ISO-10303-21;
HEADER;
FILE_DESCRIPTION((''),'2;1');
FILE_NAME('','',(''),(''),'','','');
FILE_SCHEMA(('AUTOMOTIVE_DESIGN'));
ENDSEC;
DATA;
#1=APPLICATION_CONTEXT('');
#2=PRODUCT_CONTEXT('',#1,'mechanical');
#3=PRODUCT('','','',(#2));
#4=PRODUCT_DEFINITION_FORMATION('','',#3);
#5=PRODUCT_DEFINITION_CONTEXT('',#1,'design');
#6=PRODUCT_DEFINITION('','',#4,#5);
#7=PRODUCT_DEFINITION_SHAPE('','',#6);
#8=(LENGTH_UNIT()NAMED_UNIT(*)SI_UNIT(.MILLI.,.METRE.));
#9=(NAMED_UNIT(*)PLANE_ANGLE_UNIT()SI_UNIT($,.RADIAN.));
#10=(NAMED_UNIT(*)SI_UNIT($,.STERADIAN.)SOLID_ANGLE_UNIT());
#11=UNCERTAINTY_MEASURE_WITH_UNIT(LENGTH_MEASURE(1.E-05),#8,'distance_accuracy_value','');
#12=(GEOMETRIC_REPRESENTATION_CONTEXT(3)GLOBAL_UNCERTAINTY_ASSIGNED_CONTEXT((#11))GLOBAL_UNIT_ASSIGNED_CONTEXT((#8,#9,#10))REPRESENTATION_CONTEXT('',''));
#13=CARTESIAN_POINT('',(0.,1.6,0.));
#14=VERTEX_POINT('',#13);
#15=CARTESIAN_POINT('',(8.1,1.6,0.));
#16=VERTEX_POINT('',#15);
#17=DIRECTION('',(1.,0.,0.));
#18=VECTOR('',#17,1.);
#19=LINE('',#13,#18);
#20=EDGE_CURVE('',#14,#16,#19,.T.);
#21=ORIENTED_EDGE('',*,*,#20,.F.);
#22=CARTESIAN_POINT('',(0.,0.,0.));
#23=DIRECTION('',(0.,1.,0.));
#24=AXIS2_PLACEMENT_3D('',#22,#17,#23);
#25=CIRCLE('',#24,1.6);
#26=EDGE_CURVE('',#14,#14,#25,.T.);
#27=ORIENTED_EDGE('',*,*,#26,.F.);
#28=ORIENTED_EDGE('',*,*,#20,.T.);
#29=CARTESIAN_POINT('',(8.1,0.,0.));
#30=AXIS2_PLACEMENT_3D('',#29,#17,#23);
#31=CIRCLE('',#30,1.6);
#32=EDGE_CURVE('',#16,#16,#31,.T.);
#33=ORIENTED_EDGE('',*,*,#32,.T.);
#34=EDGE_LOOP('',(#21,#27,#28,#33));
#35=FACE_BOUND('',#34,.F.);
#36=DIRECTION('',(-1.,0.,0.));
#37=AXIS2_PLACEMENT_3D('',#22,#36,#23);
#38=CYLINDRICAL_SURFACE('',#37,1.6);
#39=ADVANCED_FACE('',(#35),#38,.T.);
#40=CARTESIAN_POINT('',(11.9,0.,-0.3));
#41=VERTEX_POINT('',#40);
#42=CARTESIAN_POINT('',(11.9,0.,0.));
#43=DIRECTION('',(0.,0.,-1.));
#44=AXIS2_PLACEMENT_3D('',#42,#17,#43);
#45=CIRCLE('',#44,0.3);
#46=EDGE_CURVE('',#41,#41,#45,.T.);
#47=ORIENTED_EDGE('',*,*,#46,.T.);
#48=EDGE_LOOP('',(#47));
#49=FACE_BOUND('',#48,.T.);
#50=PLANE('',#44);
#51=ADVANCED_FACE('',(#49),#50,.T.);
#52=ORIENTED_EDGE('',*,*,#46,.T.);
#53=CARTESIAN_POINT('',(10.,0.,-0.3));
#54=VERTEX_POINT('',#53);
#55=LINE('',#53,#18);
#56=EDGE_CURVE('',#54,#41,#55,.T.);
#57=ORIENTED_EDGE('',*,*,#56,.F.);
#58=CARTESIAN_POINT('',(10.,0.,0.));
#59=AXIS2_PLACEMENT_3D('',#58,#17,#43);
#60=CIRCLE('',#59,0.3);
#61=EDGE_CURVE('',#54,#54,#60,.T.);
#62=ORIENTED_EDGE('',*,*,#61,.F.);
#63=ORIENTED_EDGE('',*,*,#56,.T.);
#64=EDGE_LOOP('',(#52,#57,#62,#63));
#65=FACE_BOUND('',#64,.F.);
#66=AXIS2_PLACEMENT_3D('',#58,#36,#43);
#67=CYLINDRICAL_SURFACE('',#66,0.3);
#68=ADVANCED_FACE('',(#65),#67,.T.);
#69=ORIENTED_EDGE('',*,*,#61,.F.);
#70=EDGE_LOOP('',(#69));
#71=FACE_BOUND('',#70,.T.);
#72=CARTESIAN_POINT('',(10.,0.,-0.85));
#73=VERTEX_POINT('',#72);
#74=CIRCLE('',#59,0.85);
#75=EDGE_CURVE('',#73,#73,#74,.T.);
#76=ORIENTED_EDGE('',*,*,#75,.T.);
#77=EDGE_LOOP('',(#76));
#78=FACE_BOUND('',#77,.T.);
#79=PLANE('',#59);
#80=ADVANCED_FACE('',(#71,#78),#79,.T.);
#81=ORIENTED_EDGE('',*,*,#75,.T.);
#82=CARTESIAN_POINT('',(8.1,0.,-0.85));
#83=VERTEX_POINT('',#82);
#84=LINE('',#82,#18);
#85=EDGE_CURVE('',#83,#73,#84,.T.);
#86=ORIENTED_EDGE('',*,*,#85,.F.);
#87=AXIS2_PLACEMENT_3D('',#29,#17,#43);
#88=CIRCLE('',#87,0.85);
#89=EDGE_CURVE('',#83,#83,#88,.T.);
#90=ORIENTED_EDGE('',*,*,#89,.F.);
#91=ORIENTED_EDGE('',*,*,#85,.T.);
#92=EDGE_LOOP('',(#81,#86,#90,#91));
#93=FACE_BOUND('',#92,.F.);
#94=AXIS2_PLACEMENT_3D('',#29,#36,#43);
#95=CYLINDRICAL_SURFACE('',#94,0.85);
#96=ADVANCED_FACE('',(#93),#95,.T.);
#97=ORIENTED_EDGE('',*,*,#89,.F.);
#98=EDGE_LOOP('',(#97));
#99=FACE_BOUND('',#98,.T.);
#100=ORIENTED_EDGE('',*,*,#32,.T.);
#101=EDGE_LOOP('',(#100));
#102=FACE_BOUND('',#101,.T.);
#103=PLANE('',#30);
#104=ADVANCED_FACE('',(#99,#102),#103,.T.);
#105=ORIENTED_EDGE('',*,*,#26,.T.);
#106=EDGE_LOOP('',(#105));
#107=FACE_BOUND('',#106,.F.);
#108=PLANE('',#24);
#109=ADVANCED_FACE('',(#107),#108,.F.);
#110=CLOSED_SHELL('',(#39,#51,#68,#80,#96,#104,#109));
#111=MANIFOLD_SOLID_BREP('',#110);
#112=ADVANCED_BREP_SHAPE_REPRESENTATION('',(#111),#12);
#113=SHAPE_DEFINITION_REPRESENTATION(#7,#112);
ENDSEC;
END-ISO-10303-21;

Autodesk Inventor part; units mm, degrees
ref_plane "YZ Plane" through (0, 0, 0) normal (1, 0, 0) x (0, 1, 0)
ref_plane "XZ Plane" through (0, 0, 0) normal (0, 1, 0) x (-1, 0, 0)
ref_plane "XY Plane" through (0, 0, 0) normal (0, 0, 1) x (1, 0, 0)
sketch "Sketch1" plane through (0, 0, 0) normal (1, 0, 0) x (0, 1, 0)
  circle A0 centre (0, 0) radius 1.6
  dimension "d0" = 3.2
extrude "Extrusion1" add sketch "Sketch1" along normal blind 8.1
sketch "Sketch2" plane through (8.1, 0, 0) normal (1, 0, 0) x (0, 0, -1)
  circle A0 centre (0, 0) radius 0.85
  dimension "d3" = 1.7
extrude "Extrusion2" add sketch "Sketch2" along normal blind 1.9
sketch "Sketch3" plane through (10, 0, 0) normal (1, 0, 0) x (0, 0, -1)
  circle A0 centre (0, 0) radius 0.3
  dimension "d6" = 0.6
extrude "Extrusion3" add sketch "Sketch3" along normal blind 1.9
properties part number "Vibration Motor" material "Silver"
